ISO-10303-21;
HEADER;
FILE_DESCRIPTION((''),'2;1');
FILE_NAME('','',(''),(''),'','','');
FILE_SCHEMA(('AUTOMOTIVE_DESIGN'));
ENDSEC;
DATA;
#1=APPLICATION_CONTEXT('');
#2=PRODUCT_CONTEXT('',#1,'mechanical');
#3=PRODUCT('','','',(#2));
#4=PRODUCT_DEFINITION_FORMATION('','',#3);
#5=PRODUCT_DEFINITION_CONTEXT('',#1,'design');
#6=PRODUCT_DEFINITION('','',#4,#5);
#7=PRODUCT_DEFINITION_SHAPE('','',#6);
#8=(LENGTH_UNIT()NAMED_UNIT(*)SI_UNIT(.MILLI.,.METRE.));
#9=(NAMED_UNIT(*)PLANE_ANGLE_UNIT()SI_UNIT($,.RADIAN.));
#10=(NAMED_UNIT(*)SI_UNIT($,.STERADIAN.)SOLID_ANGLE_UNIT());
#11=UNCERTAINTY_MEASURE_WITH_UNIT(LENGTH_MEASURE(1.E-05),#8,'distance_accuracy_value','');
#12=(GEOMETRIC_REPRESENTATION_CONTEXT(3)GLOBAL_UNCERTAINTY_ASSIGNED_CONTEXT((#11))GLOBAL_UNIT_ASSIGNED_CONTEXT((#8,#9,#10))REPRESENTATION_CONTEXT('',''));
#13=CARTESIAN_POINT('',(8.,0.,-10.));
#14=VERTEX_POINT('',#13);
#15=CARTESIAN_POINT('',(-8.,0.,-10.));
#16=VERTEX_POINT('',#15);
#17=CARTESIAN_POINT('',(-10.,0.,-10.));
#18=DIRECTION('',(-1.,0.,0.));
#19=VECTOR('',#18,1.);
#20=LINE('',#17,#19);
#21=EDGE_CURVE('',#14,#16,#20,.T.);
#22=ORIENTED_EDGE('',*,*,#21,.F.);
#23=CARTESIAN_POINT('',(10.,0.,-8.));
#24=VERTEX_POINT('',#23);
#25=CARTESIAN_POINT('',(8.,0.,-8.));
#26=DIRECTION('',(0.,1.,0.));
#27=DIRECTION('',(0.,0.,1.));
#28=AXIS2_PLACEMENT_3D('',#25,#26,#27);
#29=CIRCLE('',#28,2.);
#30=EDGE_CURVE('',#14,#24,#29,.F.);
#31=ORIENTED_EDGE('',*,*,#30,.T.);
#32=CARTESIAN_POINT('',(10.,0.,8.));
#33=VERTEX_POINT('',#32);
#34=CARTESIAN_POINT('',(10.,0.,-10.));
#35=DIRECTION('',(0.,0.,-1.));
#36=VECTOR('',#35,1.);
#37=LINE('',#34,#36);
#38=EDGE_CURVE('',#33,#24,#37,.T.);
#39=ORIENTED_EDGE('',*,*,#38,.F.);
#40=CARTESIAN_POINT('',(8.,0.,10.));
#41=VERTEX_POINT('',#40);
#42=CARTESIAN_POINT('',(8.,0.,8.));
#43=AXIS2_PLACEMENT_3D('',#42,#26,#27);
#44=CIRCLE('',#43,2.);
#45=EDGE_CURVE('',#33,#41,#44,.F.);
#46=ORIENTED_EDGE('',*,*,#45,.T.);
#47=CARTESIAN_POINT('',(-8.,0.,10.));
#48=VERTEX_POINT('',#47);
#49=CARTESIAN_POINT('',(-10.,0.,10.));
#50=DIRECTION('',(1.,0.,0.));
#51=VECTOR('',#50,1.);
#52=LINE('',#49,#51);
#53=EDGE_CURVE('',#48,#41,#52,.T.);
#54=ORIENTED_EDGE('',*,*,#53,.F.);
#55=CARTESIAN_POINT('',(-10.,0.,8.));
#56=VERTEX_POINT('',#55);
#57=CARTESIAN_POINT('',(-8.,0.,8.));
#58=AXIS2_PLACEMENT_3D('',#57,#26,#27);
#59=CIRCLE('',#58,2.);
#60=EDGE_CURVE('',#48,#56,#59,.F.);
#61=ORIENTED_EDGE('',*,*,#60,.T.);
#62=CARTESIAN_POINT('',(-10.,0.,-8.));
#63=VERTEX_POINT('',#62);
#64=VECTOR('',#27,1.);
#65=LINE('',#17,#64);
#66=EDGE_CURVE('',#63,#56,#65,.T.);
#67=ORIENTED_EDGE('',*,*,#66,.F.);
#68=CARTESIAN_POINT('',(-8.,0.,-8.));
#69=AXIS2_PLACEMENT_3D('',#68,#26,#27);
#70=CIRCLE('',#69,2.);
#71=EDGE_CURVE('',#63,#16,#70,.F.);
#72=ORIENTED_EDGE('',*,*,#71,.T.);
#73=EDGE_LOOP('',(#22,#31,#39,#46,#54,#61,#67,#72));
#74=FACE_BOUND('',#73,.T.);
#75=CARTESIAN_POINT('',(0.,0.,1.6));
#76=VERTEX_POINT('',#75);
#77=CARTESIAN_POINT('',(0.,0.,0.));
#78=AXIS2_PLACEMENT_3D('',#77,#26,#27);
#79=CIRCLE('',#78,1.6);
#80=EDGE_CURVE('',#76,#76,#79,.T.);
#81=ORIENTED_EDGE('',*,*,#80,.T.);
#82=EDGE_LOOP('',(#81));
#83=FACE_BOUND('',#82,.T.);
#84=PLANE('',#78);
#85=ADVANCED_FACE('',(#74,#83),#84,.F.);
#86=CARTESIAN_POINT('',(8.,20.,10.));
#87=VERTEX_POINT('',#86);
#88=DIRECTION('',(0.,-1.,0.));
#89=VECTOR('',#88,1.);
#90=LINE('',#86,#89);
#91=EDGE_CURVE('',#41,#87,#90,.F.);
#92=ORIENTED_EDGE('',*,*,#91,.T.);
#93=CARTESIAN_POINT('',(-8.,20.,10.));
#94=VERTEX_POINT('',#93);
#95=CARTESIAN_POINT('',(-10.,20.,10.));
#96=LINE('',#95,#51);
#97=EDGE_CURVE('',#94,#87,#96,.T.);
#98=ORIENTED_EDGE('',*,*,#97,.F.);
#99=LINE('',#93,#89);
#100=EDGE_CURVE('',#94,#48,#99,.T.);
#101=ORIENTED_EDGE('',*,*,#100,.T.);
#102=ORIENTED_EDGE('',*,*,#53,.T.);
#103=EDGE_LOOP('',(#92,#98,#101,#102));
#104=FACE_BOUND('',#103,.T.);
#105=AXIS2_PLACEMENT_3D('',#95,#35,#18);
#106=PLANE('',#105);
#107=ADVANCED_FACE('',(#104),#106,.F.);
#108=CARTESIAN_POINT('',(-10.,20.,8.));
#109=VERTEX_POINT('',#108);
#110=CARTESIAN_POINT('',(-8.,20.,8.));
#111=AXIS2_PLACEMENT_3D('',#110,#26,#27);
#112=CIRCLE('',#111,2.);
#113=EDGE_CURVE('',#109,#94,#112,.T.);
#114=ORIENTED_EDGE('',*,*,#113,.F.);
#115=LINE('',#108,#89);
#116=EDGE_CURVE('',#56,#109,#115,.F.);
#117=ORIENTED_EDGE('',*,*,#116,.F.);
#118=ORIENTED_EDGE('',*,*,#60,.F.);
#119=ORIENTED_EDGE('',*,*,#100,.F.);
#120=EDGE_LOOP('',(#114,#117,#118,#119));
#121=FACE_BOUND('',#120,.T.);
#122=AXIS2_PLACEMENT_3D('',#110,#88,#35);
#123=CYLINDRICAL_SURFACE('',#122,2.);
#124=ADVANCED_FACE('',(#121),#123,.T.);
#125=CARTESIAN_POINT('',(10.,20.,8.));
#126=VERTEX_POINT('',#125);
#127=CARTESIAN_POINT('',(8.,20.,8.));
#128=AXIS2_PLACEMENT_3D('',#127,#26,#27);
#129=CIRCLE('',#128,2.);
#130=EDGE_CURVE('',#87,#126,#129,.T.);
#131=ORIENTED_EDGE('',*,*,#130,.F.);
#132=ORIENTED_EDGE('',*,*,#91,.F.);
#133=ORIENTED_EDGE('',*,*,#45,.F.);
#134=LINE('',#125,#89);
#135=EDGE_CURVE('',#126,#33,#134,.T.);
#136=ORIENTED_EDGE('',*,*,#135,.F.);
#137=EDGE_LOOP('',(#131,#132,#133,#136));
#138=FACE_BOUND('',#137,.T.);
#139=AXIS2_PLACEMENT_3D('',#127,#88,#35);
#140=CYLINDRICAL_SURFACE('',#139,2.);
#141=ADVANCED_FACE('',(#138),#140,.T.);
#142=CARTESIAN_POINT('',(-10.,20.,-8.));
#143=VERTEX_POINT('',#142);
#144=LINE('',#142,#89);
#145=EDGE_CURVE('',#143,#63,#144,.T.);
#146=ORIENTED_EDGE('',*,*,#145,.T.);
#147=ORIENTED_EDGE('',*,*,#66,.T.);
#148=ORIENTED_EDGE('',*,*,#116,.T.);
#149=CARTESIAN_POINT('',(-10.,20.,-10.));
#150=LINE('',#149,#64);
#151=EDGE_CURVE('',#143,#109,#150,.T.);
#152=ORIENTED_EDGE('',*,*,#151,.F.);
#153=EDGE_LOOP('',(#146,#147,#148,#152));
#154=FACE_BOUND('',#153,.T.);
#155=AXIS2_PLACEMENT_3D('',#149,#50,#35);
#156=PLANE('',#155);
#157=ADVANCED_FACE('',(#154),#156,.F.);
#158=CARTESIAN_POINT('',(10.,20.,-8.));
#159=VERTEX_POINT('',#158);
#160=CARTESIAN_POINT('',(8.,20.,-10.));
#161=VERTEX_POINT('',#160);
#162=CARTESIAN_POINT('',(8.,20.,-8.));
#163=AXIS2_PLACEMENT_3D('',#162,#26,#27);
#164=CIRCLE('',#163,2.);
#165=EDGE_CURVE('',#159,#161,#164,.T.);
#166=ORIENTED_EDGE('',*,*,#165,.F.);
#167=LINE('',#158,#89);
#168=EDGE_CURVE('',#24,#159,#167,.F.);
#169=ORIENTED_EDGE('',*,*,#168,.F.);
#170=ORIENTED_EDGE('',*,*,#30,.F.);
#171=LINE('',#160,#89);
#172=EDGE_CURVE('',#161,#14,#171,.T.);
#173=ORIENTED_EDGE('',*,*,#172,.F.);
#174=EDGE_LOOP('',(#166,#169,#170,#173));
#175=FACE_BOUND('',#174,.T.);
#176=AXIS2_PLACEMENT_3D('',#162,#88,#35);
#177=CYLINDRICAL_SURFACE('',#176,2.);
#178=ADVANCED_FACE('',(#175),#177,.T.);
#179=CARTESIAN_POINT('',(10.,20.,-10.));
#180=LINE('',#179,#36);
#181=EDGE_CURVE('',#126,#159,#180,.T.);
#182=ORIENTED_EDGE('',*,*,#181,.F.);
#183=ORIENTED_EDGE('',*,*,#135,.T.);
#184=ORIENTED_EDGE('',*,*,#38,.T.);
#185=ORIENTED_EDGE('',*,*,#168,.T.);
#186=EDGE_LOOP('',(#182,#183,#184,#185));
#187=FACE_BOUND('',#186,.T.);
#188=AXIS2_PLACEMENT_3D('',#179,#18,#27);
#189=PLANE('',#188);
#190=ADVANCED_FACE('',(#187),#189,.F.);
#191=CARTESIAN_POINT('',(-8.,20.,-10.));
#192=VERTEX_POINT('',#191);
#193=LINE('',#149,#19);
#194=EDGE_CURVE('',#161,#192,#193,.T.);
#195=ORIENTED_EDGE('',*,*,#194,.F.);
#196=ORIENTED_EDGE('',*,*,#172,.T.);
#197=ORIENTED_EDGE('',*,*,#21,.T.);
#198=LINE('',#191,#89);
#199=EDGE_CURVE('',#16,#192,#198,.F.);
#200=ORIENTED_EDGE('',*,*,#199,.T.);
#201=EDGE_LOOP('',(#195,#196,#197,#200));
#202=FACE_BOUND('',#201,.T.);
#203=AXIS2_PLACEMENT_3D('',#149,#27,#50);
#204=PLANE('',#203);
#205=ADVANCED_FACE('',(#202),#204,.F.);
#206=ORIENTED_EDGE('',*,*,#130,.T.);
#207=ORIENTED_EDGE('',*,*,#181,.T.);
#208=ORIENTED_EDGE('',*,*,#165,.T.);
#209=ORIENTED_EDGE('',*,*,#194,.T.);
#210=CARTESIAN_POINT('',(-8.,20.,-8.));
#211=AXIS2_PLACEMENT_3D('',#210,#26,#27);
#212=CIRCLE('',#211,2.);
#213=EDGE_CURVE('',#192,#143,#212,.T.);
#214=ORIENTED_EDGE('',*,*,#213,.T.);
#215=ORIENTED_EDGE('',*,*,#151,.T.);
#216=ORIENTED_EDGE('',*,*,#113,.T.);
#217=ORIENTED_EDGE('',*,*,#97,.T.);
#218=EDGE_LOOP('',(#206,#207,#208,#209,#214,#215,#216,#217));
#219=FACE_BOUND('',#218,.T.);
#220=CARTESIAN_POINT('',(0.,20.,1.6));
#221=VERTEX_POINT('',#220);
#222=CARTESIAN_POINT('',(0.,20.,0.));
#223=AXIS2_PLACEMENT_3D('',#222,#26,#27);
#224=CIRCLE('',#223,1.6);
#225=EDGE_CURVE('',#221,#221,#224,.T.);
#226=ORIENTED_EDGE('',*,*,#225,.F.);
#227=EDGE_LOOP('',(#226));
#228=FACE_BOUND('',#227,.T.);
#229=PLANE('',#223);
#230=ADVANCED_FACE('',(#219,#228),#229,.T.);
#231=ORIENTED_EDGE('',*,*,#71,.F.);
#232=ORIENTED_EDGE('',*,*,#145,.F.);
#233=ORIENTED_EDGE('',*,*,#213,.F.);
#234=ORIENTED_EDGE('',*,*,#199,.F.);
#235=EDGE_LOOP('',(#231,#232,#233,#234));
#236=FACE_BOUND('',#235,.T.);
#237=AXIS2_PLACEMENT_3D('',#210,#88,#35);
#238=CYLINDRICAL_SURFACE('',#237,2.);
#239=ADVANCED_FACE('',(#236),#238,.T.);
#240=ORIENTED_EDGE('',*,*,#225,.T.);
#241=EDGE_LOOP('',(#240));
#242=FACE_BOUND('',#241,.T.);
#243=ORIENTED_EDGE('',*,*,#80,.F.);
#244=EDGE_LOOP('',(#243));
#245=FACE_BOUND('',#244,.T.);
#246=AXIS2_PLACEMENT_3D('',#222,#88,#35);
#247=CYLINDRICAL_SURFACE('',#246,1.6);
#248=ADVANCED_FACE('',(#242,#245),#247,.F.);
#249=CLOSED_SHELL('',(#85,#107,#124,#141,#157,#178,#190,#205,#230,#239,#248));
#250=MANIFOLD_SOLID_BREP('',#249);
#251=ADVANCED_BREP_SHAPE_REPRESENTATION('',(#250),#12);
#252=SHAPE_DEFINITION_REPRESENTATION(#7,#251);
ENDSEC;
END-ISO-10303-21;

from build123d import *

# Parameters (mm, degrees)
SKETCH_1_W      = 20
SKETCH_1_H      = 20
SKETCH_1_R      = 1.6
EXTRUDE_1_DEPTH = 20
FILLET_1_R      = 2


with BuildPart() as part:
    # 草图1 → 凸台-拉伸1 (new body)
    with BuildSketch(Plane(origin=(0, 0, 0), x_dir=(1, 0, 0), z_dir=(0, 1, 0))):
        Rectangle(SKETCH_1_W, SKETCH_1_H)
        Circle(SKETCH_1_R, mode=Mode.SUBTRACT)
    extrude(amount=EXTRUDE_1_DEPTH)

    # 圆角1
    fillet_1_edges = [part.edges().sort_by_distance(p)[0] for p in [
        (10, 10, 10),
        (-10, 10, 10),
        (-10, 10, -10),
        (10, 10, -10),
    ]]
    fillet(fillet_1_edges, radius=FILLET_1_R)


solid = part.part
